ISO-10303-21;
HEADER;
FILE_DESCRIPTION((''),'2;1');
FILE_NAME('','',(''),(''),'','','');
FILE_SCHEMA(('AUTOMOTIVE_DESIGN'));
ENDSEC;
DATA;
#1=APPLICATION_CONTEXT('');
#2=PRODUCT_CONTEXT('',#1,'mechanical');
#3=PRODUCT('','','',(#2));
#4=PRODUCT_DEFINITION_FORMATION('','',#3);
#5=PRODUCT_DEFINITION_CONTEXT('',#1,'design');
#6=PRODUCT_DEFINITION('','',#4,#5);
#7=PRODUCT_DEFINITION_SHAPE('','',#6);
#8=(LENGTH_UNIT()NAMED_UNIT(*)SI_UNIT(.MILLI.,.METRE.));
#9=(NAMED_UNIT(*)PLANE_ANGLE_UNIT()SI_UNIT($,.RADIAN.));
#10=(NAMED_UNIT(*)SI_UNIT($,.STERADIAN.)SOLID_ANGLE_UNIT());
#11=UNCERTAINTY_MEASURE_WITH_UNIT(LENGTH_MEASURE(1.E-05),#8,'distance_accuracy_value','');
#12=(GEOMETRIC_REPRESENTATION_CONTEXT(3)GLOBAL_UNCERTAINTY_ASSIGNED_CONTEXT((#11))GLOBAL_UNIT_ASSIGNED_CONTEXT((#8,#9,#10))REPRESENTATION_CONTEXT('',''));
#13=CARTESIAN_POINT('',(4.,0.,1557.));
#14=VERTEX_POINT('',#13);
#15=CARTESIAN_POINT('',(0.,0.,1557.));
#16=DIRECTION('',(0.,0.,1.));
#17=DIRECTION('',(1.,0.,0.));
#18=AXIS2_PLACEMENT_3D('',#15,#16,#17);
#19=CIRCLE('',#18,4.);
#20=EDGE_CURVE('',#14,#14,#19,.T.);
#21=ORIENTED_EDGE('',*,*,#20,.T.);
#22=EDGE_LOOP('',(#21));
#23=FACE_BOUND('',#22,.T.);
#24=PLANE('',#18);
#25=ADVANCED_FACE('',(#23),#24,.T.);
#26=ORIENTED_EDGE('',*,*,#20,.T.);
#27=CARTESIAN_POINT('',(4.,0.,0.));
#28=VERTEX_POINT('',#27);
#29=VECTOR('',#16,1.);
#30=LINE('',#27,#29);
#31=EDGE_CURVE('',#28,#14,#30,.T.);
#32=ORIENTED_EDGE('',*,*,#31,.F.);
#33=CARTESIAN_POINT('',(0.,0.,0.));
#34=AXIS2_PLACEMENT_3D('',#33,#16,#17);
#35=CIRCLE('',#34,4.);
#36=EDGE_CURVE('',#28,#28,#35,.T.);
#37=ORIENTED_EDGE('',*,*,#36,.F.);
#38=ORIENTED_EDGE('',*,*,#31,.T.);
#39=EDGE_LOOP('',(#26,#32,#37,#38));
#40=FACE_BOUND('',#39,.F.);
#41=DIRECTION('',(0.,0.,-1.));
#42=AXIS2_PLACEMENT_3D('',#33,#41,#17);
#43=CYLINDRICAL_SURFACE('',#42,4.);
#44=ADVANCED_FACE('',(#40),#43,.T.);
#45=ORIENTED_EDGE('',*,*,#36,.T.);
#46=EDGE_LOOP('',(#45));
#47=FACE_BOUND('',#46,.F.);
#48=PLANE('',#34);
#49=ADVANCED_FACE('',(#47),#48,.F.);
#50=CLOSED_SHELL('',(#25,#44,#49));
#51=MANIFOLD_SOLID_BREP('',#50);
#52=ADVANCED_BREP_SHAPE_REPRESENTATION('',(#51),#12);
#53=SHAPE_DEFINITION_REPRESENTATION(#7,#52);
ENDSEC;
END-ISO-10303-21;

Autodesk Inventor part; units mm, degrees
ref_plane "YZ Plane" through (0, 0, 0) normal (1, 0, 0) x (0, 1, 0)
ref_plane "XZ Plane" through (0, 0, 0) normal (0, 1, 0) x (-1, 0, 0)
ref_plane "XY Plane" through (0, 0, 0) normal (0, 0, 1) x (1, 0, 0)
sketch "Skizze1" plane through (0, 0, 0) normal (0, 0, 1) x (1, 0, 0)
  circle A0 centre (0, 0) radius 4
  dimension "d0" = 8
extrude "Extrusion1" add sketch "Skizze1" along normal blind 1557
thread "Gewinde1" size "TR8x8-2p" designation "TR8x8-2" standard "ISO Metric Trapezoidal Threads" full length
properties part number "Lead Screw - TR8x8-2p 1557mm Simple"
